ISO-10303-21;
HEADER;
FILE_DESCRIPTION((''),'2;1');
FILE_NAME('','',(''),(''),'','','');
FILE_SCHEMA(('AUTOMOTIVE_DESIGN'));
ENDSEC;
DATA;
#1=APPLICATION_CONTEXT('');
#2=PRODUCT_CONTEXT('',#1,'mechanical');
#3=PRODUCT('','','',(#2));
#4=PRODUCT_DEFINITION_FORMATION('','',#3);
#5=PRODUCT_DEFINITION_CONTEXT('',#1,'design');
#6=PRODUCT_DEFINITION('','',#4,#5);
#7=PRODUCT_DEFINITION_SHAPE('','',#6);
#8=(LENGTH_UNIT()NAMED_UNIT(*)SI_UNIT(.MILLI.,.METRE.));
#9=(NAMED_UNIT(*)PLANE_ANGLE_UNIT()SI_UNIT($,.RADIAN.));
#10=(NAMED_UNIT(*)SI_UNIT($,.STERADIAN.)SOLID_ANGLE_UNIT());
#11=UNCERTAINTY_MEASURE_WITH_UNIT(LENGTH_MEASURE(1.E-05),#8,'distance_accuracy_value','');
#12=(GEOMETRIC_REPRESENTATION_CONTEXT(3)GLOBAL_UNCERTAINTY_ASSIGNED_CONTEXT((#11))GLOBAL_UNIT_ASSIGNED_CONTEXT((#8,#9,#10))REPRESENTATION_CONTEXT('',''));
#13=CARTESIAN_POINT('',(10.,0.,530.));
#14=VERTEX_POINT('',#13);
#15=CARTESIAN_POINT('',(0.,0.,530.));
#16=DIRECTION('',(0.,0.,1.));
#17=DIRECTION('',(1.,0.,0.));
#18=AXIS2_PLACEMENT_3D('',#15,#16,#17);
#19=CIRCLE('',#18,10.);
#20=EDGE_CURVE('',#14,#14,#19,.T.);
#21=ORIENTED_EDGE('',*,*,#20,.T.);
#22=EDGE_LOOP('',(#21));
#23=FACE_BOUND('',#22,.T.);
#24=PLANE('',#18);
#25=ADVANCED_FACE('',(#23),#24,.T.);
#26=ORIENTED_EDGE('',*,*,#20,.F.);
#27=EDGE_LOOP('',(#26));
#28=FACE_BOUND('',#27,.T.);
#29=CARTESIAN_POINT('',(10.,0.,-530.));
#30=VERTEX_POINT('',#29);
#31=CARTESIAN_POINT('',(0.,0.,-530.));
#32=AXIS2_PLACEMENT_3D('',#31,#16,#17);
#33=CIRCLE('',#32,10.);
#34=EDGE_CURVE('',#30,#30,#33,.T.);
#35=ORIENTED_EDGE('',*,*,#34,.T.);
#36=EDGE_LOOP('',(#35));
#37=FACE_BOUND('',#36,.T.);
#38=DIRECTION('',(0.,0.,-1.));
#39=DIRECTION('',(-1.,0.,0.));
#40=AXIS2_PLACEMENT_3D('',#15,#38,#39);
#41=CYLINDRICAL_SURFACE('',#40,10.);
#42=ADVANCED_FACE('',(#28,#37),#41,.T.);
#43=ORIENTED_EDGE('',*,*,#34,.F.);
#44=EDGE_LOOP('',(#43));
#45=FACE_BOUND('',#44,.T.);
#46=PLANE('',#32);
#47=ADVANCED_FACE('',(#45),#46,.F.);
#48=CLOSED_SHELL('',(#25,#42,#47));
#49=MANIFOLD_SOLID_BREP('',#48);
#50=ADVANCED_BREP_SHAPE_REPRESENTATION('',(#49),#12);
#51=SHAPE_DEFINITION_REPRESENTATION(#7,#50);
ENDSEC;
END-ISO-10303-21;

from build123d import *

# Parameters (mm, degrees)
SKETCH_1_R      = 10
EXTRUDE_1_DEPTH = 530


with BuildPart() as part:
    # 草图1 → 凸台-拉伸1 (new, symmetric)
    with BuildSketch(Plane.XY):
        Circle(SKETCH_1_R)
    extrude(amount=EXTRUDE_1_DEPTH, both=True)


solid = part.part
